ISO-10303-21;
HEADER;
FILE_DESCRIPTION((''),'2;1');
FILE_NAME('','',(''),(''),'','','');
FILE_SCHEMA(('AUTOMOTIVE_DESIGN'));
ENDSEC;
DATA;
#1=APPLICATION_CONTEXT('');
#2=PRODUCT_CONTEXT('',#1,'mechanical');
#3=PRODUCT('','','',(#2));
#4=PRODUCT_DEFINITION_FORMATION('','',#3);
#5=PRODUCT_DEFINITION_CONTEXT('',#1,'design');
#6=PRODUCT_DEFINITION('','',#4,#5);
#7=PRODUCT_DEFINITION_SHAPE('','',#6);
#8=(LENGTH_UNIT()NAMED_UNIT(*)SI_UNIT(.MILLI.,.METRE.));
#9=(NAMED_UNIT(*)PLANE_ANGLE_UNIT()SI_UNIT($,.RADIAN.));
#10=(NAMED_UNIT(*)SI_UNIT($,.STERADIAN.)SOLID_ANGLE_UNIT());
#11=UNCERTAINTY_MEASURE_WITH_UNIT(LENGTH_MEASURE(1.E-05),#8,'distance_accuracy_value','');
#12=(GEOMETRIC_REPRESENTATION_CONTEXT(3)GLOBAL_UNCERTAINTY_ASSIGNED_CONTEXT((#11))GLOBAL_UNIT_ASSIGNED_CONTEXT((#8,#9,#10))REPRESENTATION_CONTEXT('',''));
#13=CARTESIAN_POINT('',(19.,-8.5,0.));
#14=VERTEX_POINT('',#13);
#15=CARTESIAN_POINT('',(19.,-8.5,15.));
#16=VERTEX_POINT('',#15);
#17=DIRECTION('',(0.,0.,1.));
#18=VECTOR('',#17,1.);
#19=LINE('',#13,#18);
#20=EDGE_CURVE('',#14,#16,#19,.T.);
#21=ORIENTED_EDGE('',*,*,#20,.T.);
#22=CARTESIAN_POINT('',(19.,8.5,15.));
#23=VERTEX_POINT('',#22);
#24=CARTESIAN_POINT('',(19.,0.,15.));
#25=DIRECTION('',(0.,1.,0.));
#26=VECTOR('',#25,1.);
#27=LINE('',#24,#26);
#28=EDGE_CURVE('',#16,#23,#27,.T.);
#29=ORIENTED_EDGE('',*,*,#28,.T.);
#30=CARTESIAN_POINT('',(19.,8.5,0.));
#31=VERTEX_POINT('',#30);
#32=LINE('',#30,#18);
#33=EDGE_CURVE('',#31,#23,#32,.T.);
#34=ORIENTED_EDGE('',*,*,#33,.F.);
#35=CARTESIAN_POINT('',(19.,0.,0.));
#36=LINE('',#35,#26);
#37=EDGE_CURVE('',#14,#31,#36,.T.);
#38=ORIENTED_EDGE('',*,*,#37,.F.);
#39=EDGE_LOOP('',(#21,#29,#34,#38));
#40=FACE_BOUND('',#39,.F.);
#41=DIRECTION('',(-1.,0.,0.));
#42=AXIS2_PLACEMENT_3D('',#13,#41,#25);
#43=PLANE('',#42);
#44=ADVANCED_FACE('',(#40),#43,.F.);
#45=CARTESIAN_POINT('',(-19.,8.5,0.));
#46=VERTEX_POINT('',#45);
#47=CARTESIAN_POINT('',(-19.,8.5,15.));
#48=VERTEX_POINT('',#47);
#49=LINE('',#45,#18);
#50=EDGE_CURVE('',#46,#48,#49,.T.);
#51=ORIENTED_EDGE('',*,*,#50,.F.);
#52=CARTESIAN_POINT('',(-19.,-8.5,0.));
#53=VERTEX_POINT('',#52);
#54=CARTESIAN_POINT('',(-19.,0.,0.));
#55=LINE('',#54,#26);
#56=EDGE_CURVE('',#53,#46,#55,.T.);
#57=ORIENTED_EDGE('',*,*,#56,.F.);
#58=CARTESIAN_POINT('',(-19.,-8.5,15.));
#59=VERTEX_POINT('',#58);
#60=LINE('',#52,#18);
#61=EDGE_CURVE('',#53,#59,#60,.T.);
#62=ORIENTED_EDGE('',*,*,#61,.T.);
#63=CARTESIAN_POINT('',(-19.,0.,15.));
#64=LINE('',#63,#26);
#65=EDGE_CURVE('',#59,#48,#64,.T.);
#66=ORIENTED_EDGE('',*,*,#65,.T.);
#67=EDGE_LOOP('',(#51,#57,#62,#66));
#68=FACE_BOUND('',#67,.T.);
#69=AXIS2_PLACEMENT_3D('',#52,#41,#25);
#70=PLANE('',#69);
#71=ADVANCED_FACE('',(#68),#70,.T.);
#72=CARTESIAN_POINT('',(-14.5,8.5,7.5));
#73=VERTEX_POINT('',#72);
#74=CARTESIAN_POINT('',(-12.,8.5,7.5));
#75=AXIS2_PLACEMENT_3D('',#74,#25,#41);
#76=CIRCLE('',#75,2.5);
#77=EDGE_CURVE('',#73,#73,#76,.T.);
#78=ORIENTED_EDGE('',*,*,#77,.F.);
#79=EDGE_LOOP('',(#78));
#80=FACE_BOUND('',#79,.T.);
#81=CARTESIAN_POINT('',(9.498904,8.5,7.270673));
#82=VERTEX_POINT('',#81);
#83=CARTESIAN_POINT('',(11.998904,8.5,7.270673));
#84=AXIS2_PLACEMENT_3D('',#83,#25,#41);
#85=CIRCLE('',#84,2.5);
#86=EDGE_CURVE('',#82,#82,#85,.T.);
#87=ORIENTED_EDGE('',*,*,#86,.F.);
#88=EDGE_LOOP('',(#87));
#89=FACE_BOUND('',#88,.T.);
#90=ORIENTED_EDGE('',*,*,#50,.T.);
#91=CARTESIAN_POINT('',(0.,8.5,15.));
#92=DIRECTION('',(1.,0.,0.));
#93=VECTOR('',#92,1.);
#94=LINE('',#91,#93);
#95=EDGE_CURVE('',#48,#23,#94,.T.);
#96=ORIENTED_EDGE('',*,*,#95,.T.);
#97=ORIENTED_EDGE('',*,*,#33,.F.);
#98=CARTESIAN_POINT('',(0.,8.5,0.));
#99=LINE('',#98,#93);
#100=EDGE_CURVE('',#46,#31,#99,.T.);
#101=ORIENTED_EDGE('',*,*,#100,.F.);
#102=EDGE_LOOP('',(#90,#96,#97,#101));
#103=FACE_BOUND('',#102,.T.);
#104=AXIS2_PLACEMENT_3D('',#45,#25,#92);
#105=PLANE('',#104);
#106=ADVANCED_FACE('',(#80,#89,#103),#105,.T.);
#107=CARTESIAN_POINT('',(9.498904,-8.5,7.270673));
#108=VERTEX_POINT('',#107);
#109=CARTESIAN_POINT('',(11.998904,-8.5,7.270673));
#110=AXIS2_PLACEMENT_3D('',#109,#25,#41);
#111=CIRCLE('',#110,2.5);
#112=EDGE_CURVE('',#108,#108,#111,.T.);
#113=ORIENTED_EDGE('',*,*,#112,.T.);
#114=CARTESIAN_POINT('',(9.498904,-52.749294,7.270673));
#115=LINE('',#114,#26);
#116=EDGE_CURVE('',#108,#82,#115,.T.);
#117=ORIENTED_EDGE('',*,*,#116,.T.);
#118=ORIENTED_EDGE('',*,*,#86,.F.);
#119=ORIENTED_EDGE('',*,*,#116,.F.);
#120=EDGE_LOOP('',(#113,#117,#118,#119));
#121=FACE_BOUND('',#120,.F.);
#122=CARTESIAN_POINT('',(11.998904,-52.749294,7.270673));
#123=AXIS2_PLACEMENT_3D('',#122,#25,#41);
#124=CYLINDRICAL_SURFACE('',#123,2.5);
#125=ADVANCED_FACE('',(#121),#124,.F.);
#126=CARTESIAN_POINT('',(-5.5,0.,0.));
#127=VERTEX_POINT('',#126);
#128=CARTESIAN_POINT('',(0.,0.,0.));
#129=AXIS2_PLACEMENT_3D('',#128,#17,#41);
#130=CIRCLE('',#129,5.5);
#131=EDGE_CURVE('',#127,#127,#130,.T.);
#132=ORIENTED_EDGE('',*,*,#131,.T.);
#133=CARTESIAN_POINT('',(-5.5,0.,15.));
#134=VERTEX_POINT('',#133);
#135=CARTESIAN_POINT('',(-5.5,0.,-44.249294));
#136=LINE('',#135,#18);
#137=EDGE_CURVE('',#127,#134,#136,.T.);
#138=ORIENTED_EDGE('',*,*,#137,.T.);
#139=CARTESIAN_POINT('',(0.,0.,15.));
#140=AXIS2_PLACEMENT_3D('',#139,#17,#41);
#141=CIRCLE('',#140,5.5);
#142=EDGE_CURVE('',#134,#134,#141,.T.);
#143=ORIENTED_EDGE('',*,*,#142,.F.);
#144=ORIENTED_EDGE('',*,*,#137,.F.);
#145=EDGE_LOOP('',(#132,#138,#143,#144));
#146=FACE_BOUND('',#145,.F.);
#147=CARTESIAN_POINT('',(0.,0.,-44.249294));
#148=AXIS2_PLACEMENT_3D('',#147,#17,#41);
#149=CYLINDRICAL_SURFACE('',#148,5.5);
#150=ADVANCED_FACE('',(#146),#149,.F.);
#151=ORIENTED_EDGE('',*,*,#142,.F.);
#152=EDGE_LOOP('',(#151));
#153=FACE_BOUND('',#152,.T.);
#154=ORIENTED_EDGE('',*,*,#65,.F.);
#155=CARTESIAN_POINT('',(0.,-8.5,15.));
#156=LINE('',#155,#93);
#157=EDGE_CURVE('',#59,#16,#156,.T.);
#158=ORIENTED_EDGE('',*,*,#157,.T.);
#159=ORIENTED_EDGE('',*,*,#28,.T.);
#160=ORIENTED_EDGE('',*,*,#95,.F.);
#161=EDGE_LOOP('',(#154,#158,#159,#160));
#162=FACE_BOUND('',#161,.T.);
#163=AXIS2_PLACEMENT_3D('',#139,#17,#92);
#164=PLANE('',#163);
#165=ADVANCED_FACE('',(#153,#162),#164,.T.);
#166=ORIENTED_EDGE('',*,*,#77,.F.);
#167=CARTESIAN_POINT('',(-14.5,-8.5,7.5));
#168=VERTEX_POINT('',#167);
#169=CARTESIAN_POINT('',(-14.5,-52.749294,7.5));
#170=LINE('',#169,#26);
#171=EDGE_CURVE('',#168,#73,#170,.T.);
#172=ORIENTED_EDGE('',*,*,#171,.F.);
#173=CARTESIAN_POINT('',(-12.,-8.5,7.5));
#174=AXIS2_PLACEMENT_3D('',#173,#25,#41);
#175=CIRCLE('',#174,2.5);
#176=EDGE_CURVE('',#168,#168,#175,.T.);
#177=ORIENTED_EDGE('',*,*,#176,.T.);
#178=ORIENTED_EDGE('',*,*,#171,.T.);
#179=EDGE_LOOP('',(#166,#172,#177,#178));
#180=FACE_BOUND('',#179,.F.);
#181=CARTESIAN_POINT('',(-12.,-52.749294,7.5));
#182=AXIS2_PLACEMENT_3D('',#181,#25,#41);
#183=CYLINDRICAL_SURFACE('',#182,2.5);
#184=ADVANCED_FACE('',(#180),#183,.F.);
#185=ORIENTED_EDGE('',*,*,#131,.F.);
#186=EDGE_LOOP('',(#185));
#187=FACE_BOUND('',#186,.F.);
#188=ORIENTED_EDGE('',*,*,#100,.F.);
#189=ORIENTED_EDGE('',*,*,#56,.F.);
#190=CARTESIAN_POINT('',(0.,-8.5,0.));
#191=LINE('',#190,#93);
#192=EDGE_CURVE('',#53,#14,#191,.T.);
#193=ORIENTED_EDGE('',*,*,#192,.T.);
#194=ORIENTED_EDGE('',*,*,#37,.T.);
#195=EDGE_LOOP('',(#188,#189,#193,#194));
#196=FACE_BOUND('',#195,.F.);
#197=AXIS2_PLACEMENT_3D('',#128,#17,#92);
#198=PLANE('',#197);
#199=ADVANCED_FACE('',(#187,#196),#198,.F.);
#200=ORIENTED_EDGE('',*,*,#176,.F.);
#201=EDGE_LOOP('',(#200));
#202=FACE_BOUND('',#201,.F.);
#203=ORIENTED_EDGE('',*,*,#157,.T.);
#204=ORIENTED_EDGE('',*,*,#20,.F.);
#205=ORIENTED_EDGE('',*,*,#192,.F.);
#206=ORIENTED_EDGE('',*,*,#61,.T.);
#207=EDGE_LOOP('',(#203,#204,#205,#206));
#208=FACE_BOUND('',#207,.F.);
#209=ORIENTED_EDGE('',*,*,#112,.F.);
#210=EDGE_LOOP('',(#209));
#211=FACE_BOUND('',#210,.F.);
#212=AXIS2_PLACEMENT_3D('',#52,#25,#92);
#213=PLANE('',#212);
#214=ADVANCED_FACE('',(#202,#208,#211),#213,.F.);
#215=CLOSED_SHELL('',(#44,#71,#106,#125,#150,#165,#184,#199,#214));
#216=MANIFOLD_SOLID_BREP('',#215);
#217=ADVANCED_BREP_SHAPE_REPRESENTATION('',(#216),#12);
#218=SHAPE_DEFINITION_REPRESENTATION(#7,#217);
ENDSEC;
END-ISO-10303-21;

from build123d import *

# Parameters (mm, degrees)
F0_W     = 38
F0_H     = 17
F1_DEPTH = 15
F3_D     = 11
F5_D     = 5


with BuildPart() as f1:
    # F0 (on Top) → F1 (new body)
    with BuildSketch(Plane.XY):
        Rectangle(F0_W, F0_H)
    extrude(amount=F1_DEPTH)

    # F3 (through all)
    with Locations(Plane(origin=(0, 0, 0), x_dir=(1, 0, 0), z_dir=(0, 0, -1))):
        with Locations((0, 0)):
            Hole(F3_D / 2)

    # F5 (through all)
    with Locations(Plane.XZ.offset(8.5)):
        with Locations((-12, 7.5), (11.998904, 7.270673)):
            Hole(F5_D / 2)


solid = f1.part
